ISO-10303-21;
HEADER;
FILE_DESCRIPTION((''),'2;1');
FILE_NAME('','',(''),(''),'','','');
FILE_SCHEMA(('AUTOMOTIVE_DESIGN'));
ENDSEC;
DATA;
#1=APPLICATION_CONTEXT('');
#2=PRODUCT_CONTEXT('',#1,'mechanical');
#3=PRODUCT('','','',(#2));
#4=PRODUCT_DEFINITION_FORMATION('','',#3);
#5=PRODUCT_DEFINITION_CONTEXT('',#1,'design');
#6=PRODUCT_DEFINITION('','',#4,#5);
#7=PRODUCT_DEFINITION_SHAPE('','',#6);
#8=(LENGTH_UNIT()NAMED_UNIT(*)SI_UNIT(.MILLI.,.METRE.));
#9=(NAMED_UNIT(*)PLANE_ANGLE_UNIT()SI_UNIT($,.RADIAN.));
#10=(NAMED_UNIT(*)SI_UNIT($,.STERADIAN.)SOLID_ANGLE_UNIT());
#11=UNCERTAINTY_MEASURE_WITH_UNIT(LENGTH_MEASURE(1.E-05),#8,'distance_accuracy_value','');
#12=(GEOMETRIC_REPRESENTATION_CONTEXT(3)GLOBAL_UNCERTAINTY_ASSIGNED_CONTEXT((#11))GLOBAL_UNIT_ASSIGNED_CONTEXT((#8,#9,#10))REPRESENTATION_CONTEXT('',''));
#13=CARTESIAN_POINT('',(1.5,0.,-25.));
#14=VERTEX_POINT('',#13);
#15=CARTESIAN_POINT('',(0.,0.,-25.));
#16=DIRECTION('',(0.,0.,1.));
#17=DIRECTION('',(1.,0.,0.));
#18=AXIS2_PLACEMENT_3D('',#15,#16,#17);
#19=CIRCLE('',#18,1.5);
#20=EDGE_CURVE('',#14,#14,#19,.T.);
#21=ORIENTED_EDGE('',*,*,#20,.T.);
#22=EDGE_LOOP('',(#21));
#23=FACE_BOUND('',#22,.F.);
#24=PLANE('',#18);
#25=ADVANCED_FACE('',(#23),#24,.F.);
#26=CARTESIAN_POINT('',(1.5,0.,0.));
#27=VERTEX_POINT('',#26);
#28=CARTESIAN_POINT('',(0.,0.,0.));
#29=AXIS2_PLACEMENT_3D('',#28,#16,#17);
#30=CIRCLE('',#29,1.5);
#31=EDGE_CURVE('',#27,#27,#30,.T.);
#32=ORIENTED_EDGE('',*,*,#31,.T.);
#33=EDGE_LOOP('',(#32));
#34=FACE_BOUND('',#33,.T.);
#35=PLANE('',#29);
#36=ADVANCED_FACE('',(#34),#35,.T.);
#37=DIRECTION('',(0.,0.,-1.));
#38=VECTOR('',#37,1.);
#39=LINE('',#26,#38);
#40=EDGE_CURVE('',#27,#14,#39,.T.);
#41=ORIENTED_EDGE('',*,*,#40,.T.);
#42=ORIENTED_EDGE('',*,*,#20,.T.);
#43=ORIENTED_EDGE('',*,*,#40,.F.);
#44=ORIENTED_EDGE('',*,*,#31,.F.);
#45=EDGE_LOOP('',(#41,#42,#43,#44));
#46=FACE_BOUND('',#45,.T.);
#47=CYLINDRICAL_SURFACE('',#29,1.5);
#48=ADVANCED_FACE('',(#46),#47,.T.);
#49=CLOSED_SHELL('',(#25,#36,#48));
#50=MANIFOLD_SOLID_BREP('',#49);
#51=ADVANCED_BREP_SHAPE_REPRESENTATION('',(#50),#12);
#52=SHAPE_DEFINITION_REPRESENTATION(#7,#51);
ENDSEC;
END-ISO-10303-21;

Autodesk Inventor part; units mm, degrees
ref_plane "YZ Plane" through (0, 0, 0) normal (1, 0, 0) x (0, 1, 0)
ref_plane "XZ Plane" through (0, 0, 0) normal (0, 1, 0) x (-1, 0, 0)
ref_plane "XY Plane" through (0, 0, 0) normal (0, 0, 1) x (1, 0, 0)
sketch "Esboço1" plane through (0, 0, 0) normal (0, 0, 1) x (1, 0, 0)
  circle A0 centre (0, 0) radius 1.5
  dimension "d0" = 3
extrude "Extrusão1" add sketch "Esboço1" against normal blind 25
properties part number "crank_pin"
